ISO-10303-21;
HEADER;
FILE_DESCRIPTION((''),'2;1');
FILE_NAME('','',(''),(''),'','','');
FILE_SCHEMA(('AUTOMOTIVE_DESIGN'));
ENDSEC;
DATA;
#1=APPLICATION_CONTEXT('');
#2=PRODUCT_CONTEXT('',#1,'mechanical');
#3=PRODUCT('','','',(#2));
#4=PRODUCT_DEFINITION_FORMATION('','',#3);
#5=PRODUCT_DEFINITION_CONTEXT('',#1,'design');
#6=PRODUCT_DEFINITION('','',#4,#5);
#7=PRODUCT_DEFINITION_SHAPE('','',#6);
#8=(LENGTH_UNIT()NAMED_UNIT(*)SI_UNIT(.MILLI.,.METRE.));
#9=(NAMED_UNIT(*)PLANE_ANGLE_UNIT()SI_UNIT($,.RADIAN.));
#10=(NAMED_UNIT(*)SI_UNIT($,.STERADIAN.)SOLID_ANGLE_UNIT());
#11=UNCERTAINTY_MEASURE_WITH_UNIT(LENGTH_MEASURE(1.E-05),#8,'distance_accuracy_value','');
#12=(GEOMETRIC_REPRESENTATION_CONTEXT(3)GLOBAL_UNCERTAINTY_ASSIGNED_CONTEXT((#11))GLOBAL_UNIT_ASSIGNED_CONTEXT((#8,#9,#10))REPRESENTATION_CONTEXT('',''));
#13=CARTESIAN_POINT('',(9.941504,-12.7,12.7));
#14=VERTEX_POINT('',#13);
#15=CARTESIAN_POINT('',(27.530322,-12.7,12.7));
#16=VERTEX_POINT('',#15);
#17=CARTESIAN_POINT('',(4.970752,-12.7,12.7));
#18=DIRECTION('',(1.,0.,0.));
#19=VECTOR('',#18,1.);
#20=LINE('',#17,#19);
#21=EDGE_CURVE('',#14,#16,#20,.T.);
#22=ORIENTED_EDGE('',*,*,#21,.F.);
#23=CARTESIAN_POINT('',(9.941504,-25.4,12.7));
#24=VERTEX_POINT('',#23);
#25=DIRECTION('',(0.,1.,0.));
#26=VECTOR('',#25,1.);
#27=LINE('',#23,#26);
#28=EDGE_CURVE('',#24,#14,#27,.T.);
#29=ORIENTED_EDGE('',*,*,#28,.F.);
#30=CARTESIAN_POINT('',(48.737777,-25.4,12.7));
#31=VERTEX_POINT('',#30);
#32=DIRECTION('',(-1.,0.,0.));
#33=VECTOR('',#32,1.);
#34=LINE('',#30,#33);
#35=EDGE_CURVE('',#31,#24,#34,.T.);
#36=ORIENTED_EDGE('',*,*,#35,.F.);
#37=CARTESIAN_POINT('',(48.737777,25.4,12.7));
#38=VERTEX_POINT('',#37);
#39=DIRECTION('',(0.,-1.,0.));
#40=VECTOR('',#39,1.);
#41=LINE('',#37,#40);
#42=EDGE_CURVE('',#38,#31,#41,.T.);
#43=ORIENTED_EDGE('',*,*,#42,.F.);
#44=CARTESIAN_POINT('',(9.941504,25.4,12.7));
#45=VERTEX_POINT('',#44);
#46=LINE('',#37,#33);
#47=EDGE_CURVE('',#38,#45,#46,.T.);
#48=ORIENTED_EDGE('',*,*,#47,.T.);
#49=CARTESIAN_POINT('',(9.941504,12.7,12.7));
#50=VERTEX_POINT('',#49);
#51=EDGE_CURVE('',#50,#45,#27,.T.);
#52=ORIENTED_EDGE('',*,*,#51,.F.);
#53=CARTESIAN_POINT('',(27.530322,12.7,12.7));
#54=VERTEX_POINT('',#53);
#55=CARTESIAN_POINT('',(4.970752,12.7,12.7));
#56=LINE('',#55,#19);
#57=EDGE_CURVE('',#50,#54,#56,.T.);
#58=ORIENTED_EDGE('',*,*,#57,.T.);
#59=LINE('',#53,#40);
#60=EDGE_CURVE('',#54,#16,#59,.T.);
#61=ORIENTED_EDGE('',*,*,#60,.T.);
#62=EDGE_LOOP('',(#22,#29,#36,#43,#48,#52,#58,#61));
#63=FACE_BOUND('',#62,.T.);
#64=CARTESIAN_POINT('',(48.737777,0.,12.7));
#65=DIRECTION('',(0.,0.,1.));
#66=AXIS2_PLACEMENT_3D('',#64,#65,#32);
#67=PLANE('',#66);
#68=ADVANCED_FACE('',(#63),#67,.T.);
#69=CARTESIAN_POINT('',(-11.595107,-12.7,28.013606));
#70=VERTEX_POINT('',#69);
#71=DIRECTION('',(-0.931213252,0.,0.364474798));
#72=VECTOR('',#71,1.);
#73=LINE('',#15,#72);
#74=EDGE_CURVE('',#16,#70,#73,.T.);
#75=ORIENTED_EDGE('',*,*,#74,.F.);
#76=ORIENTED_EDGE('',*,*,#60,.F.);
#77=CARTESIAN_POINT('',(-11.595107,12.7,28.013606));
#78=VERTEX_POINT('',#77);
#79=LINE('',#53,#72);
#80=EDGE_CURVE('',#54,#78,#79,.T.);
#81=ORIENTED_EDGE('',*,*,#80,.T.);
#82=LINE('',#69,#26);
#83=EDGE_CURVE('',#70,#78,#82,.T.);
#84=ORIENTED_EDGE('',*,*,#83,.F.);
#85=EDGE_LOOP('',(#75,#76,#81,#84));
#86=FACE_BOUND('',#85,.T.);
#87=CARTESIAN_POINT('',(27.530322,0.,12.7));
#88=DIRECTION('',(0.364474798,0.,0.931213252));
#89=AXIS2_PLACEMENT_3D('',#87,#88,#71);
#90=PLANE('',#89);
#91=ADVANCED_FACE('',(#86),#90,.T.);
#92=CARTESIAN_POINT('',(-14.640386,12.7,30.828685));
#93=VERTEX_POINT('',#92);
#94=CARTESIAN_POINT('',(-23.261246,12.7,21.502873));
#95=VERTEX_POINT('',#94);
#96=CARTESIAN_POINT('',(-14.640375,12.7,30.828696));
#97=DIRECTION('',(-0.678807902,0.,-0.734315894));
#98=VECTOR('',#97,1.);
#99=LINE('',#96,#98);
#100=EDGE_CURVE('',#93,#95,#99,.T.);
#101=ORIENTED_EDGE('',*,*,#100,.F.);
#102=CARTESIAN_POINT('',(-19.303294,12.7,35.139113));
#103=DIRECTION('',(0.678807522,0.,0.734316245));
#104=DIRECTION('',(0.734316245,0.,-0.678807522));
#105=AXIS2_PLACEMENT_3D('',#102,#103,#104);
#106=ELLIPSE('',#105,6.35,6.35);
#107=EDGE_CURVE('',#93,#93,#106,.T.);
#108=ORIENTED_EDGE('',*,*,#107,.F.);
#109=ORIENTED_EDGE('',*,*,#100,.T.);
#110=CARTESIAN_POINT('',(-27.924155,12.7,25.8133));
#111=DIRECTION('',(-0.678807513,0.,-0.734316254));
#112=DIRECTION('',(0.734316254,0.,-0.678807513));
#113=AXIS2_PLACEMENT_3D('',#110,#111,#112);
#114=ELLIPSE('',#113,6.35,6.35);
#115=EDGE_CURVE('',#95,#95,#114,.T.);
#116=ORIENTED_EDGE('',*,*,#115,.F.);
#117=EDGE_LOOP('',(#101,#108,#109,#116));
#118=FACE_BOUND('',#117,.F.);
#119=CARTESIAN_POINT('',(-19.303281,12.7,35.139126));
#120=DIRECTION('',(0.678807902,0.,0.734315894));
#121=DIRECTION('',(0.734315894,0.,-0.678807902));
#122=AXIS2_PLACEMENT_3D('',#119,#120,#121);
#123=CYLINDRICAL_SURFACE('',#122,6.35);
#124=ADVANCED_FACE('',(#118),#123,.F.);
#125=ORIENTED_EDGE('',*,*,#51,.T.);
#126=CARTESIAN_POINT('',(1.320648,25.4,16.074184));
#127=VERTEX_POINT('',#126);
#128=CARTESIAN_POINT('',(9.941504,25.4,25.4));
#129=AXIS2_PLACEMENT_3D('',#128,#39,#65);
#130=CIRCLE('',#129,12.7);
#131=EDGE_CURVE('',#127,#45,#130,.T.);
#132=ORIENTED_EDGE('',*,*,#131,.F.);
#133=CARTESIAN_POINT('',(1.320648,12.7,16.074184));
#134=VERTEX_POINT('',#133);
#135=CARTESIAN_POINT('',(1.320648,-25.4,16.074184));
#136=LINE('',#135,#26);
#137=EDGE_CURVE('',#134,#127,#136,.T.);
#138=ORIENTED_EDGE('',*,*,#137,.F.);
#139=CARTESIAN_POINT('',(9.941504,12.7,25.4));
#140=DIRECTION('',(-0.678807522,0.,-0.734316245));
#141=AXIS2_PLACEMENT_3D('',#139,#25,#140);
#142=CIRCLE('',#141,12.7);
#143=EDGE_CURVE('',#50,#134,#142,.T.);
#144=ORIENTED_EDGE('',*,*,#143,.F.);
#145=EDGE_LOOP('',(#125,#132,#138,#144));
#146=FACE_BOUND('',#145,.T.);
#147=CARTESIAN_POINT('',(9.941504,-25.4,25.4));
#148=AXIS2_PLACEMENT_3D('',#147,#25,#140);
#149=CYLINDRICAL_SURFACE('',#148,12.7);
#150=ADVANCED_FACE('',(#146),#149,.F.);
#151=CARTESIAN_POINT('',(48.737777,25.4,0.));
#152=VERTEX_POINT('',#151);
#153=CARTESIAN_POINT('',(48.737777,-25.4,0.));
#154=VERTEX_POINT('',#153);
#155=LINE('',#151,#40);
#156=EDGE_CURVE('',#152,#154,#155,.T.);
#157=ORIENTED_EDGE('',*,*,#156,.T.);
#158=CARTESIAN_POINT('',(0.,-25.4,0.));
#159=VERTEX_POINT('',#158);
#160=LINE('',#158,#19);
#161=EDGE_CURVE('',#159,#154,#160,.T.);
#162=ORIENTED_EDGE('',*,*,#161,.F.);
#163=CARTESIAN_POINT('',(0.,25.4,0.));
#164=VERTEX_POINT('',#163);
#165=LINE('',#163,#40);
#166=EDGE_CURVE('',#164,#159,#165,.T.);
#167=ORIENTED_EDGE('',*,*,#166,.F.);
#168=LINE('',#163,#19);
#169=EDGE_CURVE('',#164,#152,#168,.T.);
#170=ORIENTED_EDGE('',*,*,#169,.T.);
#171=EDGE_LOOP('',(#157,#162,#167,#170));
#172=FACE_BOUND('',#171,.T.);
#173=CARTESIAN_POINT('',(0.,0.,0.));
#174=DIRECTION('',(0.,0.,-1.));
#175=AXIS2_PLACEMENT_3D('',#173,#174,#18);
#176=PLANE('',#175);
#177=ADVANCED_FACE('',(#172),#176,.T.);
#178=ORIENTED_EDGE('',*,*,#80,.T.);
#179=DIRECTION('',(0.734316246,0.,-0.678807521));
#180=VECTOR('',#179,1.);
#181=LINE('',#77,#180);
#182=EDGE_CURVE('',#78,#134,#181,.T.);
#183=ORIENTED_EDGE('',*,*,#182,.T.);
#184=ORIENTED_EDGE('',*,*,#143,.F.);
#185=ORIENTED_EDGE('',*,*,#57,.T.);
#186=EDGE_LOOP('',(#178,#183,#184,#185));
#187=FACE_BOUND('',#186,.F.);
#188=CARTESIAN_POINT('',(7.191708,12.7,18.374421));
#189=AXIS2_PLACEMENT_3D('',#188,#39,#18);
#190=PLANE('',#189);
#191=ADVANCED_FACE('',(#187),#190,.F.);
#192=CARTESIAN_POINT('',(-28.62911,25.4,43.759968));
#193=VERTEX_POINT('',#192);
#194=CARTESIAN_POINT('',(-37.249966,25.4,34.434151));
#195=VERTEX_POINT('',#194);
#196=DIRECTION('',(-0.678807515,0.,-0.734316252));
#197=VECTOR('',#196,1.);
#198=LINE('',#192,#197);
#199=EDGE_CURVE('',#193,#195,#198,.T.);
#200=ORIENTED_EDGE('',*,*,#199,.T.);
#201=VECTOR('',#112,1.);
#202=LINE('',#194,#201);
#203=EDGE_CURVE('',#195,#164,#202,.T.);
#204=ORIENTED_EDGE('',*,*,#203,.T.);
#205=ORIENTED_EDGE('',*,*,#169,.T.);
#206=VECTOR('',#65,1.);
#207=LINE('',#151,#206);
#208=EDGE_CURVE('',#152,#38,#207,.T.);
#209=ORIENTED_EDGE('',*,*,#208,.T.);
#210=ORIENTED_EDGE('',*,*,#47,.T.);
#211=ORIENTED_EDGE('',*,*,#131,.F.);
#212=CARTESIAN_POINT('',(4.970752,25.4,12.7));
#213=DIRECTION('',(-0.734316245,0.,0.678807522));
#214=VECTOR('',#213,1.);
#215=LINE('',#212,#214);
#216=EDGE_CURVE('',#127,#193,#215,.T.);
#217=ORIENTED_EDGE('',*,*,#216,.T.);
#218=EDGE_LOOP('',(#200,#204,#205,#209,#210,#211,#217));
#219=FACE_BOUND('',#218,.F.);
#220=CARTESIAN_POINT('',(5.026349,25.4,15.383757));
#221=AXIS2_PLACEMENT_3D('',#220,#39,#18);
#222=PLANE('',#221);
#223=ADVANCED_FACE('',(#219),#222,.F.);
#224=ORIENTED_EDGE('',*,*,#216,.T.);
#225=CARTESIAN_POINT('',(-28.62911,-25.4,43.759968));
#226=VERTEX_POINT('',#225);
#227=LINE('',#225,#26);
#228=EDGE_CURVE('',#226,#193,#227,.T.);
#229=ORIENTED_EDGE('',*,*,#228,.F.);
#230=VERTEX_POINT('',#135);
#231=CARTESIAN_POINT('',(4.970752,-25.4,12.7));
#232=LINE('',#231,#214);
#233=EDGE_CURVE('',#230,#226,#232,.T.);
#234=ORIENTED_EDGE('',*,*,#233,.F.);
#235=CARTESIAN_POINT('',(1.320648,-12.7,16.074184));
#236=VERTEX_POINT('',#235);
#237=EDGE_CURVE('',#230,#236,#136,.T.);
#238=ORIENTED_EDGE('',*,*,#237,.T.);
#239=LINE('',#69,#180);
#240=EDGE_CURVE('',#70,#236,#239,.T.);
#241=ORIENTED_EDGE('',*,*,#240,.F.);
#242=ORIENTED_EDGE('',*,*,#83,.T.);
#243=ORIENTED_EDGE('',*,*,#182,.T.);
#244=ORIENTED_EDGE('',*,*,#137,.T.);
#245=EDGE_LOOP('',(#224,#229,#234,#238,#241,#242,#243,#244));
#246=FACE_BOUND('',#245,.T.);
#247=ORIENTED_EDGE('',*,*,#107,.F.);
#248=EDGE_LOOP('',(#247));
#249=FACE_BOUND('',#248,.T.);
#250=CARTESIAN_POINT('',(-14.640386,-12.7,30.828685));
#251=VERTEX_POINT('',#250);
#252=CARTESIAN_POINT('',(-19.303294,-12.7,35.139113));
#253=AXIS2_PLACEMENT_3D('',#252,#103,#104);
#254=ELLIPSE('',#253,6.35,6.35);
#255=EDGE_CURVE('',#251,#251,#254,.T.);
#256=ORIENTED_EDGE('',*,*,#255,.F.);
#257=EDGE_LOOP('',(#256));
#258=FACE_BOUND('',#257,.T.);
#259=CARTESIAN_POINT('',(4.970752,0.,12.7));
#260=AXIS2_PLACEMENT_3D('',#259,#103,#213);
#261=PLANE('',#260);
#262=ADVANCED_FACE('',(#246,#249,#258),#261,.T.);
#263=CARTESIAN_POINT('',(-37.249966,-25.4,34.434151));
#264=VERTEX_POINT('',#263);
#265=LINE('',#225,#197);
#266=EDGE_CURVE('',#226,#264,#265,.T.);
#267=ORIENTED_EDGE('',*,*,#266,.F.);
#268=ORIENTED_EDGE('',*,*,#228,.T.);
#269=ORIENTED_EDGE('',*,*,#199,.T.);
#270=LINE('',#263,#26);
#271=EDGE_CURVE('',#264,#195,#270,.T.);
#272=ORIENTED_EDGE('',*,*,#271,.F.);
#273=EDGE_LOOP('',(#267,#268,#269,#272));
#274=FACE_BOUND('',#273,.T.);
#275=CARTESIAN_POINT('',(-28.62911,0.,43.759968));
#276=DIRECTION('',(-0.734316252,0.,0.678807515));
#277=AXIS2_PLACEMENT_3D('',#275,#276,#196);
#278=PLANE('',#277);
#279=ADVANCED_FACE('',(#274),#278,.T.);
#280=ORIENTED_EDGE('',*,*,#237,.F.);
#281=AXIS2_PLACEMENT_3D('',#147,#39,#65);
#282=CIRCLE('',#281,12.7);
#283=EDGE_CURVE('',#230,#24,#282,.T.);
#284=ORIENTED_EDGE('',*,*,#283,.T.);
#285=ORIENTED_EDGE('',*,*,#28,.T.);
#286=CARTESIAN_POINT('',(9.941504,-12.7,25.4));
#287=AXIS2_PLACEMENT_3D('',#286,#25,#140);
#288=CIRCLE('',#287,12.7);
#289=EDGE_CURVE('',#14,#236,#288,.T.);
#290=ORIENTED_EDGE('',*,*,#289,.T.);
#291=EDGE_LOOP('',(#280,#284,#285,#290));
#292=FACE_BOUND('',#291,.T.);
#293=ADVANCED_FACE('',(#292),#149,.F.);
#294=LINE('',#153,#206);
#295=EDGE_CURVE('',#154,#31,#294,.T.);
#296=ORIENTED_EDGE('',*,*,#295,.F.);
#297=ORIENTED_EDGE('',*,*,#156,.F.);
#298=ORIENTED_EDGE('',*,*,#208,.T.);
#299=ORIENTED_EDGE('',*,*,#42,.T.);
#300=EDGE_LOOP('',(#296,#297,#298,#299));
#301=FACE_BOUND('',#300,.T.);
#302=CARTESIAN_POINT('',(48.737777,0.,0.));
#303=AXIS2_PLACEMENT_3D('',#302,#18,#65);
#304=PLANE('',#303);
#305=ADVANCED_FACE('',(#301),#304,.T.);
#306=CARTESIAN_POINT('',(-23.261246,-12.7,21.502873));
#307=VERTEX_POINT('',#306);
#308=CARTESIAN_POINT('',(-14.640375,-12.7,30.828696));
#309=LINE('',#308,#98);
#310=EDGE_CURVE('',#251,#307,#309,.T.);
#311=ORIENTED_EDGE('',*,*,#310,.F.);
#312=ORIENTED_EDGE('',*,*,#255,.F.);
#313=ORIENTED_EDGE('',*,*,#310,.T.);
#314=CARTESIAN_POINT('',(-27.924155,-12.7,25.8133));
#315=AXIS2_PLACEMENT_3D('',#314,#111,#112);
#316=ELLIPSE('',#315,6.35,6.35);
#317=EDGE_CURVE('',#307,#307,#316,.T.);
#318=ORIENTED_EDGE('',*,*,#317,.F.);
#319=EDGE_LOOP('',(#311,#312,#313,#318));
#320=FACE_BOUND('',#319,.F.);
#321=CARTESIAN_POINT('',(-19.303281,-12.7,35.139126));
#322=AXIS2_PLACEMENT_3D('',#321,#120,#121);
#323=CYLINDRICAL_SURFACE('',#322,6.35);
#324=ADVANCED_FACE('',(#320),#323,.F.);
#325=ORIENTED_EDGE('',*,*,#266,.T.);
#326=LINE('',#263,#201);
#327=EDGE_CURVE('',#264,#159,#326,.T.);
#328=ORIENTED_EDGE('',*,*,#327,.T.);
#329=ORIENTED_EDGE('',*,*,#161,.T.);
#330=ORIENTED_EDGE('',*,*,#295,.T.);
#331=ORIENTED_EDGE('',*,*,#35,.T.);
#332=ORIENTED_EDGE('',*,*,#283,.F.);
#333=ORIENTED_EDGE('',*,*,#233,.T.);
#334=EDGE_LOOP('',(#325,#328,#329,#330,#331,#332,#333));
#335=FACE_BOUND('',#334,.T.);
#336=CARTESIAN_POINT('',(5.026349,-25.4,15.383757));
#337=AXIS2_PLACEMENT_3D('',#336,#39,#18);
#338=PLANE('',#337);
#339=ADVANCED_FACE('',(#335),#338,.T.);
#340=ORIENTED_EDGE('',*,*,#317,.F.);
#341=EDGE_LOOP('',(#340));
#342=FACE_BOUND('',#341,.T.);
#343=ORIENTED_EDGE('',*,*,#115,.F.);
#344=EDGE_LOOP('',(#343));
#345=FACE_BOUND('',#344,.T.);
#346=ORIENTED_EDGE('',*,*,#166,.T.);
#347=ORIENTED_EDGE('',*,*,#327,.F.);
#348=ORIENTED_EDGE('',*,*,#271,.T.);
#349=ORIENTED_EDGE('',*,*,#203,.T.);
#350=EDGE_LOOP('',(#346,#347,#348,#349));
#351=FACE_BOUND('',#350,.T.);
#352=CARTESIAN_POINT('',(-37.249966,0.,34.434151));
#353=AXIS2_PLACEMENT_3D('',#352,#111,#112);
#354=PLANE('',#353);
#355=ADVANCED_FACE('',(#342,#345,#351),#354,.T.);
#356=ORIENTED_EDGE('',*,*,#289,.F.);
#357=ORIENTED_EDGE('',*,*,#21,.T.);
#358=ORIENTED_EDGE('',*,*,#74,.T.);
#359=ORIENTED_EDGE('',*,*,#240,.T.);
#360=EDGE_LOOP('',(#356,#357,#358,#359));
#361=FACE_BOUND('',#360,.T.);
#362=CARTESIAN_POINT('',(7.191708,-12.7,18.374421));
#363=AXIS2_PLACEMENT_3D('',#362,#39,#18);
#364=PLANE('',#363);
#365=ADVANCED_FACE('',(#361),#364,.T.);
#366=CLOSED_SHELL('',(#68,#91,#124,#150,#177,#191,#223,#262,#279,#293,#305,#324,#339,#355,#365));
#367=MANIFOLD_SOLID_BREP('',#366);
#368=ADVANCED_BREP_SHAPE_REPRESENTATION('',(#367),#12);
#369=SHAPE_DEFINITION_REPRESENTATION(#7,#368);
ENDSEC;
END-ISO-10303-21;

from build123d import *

# Parameters (mm, degrees)
F1_DEPTH = 25.4
F2_R     = 12.7
F4_DEPTH = 12.7
F5_R     = 6.35
F6_DEPTH = 25.4


with BuildPart() as f1:
    # F0 (on Front) → F1 (new body, symmetric)
    with BuildSketch(Plane.XZ):
        Polygon((-37.249966, 34.434151), (0, 0), (48.737777, 0), (48.737777, 12.7), (4.970752, 12.7), (-28.62911, 43.759968), align=None)
    extrude(amount=F1_DEPTH, both=True)

    # F2
    f2_edges = [f1.edges().sort_by_distance(p)[0] for p in [
        (4.970752, 0, 12.7),
    ]]
    fillet(f2_edges, radius=F2_R)

    # F3 (on Front) → F4 (join, symmetric)
    with BuildSketch(Plane.XZ):
        Polygon((4.970752, 12.7), (27.530322, 12.7), (-11.595107, 28.013606), align=None)
    extrude(amount=F4_DEPTH, both=True)

    # F5 (on face) → F6 (cut)
    with BuildSketch(Plane(origin=(8.620855, 0, 9.325816), x_dir=(0.734316, 0, -0.678808), z_dir=(0.678808, 0, 0.734316))):
        with Locations((-38.027416, -12.7)):
            Circle(F5_R)
        with Locations((-38.027416, 12.7)):
            Circle(F5_R)
    extrude(amount=-F6_DEPTH, mode=Mode.SUBTRACT)


solid = f1.part
